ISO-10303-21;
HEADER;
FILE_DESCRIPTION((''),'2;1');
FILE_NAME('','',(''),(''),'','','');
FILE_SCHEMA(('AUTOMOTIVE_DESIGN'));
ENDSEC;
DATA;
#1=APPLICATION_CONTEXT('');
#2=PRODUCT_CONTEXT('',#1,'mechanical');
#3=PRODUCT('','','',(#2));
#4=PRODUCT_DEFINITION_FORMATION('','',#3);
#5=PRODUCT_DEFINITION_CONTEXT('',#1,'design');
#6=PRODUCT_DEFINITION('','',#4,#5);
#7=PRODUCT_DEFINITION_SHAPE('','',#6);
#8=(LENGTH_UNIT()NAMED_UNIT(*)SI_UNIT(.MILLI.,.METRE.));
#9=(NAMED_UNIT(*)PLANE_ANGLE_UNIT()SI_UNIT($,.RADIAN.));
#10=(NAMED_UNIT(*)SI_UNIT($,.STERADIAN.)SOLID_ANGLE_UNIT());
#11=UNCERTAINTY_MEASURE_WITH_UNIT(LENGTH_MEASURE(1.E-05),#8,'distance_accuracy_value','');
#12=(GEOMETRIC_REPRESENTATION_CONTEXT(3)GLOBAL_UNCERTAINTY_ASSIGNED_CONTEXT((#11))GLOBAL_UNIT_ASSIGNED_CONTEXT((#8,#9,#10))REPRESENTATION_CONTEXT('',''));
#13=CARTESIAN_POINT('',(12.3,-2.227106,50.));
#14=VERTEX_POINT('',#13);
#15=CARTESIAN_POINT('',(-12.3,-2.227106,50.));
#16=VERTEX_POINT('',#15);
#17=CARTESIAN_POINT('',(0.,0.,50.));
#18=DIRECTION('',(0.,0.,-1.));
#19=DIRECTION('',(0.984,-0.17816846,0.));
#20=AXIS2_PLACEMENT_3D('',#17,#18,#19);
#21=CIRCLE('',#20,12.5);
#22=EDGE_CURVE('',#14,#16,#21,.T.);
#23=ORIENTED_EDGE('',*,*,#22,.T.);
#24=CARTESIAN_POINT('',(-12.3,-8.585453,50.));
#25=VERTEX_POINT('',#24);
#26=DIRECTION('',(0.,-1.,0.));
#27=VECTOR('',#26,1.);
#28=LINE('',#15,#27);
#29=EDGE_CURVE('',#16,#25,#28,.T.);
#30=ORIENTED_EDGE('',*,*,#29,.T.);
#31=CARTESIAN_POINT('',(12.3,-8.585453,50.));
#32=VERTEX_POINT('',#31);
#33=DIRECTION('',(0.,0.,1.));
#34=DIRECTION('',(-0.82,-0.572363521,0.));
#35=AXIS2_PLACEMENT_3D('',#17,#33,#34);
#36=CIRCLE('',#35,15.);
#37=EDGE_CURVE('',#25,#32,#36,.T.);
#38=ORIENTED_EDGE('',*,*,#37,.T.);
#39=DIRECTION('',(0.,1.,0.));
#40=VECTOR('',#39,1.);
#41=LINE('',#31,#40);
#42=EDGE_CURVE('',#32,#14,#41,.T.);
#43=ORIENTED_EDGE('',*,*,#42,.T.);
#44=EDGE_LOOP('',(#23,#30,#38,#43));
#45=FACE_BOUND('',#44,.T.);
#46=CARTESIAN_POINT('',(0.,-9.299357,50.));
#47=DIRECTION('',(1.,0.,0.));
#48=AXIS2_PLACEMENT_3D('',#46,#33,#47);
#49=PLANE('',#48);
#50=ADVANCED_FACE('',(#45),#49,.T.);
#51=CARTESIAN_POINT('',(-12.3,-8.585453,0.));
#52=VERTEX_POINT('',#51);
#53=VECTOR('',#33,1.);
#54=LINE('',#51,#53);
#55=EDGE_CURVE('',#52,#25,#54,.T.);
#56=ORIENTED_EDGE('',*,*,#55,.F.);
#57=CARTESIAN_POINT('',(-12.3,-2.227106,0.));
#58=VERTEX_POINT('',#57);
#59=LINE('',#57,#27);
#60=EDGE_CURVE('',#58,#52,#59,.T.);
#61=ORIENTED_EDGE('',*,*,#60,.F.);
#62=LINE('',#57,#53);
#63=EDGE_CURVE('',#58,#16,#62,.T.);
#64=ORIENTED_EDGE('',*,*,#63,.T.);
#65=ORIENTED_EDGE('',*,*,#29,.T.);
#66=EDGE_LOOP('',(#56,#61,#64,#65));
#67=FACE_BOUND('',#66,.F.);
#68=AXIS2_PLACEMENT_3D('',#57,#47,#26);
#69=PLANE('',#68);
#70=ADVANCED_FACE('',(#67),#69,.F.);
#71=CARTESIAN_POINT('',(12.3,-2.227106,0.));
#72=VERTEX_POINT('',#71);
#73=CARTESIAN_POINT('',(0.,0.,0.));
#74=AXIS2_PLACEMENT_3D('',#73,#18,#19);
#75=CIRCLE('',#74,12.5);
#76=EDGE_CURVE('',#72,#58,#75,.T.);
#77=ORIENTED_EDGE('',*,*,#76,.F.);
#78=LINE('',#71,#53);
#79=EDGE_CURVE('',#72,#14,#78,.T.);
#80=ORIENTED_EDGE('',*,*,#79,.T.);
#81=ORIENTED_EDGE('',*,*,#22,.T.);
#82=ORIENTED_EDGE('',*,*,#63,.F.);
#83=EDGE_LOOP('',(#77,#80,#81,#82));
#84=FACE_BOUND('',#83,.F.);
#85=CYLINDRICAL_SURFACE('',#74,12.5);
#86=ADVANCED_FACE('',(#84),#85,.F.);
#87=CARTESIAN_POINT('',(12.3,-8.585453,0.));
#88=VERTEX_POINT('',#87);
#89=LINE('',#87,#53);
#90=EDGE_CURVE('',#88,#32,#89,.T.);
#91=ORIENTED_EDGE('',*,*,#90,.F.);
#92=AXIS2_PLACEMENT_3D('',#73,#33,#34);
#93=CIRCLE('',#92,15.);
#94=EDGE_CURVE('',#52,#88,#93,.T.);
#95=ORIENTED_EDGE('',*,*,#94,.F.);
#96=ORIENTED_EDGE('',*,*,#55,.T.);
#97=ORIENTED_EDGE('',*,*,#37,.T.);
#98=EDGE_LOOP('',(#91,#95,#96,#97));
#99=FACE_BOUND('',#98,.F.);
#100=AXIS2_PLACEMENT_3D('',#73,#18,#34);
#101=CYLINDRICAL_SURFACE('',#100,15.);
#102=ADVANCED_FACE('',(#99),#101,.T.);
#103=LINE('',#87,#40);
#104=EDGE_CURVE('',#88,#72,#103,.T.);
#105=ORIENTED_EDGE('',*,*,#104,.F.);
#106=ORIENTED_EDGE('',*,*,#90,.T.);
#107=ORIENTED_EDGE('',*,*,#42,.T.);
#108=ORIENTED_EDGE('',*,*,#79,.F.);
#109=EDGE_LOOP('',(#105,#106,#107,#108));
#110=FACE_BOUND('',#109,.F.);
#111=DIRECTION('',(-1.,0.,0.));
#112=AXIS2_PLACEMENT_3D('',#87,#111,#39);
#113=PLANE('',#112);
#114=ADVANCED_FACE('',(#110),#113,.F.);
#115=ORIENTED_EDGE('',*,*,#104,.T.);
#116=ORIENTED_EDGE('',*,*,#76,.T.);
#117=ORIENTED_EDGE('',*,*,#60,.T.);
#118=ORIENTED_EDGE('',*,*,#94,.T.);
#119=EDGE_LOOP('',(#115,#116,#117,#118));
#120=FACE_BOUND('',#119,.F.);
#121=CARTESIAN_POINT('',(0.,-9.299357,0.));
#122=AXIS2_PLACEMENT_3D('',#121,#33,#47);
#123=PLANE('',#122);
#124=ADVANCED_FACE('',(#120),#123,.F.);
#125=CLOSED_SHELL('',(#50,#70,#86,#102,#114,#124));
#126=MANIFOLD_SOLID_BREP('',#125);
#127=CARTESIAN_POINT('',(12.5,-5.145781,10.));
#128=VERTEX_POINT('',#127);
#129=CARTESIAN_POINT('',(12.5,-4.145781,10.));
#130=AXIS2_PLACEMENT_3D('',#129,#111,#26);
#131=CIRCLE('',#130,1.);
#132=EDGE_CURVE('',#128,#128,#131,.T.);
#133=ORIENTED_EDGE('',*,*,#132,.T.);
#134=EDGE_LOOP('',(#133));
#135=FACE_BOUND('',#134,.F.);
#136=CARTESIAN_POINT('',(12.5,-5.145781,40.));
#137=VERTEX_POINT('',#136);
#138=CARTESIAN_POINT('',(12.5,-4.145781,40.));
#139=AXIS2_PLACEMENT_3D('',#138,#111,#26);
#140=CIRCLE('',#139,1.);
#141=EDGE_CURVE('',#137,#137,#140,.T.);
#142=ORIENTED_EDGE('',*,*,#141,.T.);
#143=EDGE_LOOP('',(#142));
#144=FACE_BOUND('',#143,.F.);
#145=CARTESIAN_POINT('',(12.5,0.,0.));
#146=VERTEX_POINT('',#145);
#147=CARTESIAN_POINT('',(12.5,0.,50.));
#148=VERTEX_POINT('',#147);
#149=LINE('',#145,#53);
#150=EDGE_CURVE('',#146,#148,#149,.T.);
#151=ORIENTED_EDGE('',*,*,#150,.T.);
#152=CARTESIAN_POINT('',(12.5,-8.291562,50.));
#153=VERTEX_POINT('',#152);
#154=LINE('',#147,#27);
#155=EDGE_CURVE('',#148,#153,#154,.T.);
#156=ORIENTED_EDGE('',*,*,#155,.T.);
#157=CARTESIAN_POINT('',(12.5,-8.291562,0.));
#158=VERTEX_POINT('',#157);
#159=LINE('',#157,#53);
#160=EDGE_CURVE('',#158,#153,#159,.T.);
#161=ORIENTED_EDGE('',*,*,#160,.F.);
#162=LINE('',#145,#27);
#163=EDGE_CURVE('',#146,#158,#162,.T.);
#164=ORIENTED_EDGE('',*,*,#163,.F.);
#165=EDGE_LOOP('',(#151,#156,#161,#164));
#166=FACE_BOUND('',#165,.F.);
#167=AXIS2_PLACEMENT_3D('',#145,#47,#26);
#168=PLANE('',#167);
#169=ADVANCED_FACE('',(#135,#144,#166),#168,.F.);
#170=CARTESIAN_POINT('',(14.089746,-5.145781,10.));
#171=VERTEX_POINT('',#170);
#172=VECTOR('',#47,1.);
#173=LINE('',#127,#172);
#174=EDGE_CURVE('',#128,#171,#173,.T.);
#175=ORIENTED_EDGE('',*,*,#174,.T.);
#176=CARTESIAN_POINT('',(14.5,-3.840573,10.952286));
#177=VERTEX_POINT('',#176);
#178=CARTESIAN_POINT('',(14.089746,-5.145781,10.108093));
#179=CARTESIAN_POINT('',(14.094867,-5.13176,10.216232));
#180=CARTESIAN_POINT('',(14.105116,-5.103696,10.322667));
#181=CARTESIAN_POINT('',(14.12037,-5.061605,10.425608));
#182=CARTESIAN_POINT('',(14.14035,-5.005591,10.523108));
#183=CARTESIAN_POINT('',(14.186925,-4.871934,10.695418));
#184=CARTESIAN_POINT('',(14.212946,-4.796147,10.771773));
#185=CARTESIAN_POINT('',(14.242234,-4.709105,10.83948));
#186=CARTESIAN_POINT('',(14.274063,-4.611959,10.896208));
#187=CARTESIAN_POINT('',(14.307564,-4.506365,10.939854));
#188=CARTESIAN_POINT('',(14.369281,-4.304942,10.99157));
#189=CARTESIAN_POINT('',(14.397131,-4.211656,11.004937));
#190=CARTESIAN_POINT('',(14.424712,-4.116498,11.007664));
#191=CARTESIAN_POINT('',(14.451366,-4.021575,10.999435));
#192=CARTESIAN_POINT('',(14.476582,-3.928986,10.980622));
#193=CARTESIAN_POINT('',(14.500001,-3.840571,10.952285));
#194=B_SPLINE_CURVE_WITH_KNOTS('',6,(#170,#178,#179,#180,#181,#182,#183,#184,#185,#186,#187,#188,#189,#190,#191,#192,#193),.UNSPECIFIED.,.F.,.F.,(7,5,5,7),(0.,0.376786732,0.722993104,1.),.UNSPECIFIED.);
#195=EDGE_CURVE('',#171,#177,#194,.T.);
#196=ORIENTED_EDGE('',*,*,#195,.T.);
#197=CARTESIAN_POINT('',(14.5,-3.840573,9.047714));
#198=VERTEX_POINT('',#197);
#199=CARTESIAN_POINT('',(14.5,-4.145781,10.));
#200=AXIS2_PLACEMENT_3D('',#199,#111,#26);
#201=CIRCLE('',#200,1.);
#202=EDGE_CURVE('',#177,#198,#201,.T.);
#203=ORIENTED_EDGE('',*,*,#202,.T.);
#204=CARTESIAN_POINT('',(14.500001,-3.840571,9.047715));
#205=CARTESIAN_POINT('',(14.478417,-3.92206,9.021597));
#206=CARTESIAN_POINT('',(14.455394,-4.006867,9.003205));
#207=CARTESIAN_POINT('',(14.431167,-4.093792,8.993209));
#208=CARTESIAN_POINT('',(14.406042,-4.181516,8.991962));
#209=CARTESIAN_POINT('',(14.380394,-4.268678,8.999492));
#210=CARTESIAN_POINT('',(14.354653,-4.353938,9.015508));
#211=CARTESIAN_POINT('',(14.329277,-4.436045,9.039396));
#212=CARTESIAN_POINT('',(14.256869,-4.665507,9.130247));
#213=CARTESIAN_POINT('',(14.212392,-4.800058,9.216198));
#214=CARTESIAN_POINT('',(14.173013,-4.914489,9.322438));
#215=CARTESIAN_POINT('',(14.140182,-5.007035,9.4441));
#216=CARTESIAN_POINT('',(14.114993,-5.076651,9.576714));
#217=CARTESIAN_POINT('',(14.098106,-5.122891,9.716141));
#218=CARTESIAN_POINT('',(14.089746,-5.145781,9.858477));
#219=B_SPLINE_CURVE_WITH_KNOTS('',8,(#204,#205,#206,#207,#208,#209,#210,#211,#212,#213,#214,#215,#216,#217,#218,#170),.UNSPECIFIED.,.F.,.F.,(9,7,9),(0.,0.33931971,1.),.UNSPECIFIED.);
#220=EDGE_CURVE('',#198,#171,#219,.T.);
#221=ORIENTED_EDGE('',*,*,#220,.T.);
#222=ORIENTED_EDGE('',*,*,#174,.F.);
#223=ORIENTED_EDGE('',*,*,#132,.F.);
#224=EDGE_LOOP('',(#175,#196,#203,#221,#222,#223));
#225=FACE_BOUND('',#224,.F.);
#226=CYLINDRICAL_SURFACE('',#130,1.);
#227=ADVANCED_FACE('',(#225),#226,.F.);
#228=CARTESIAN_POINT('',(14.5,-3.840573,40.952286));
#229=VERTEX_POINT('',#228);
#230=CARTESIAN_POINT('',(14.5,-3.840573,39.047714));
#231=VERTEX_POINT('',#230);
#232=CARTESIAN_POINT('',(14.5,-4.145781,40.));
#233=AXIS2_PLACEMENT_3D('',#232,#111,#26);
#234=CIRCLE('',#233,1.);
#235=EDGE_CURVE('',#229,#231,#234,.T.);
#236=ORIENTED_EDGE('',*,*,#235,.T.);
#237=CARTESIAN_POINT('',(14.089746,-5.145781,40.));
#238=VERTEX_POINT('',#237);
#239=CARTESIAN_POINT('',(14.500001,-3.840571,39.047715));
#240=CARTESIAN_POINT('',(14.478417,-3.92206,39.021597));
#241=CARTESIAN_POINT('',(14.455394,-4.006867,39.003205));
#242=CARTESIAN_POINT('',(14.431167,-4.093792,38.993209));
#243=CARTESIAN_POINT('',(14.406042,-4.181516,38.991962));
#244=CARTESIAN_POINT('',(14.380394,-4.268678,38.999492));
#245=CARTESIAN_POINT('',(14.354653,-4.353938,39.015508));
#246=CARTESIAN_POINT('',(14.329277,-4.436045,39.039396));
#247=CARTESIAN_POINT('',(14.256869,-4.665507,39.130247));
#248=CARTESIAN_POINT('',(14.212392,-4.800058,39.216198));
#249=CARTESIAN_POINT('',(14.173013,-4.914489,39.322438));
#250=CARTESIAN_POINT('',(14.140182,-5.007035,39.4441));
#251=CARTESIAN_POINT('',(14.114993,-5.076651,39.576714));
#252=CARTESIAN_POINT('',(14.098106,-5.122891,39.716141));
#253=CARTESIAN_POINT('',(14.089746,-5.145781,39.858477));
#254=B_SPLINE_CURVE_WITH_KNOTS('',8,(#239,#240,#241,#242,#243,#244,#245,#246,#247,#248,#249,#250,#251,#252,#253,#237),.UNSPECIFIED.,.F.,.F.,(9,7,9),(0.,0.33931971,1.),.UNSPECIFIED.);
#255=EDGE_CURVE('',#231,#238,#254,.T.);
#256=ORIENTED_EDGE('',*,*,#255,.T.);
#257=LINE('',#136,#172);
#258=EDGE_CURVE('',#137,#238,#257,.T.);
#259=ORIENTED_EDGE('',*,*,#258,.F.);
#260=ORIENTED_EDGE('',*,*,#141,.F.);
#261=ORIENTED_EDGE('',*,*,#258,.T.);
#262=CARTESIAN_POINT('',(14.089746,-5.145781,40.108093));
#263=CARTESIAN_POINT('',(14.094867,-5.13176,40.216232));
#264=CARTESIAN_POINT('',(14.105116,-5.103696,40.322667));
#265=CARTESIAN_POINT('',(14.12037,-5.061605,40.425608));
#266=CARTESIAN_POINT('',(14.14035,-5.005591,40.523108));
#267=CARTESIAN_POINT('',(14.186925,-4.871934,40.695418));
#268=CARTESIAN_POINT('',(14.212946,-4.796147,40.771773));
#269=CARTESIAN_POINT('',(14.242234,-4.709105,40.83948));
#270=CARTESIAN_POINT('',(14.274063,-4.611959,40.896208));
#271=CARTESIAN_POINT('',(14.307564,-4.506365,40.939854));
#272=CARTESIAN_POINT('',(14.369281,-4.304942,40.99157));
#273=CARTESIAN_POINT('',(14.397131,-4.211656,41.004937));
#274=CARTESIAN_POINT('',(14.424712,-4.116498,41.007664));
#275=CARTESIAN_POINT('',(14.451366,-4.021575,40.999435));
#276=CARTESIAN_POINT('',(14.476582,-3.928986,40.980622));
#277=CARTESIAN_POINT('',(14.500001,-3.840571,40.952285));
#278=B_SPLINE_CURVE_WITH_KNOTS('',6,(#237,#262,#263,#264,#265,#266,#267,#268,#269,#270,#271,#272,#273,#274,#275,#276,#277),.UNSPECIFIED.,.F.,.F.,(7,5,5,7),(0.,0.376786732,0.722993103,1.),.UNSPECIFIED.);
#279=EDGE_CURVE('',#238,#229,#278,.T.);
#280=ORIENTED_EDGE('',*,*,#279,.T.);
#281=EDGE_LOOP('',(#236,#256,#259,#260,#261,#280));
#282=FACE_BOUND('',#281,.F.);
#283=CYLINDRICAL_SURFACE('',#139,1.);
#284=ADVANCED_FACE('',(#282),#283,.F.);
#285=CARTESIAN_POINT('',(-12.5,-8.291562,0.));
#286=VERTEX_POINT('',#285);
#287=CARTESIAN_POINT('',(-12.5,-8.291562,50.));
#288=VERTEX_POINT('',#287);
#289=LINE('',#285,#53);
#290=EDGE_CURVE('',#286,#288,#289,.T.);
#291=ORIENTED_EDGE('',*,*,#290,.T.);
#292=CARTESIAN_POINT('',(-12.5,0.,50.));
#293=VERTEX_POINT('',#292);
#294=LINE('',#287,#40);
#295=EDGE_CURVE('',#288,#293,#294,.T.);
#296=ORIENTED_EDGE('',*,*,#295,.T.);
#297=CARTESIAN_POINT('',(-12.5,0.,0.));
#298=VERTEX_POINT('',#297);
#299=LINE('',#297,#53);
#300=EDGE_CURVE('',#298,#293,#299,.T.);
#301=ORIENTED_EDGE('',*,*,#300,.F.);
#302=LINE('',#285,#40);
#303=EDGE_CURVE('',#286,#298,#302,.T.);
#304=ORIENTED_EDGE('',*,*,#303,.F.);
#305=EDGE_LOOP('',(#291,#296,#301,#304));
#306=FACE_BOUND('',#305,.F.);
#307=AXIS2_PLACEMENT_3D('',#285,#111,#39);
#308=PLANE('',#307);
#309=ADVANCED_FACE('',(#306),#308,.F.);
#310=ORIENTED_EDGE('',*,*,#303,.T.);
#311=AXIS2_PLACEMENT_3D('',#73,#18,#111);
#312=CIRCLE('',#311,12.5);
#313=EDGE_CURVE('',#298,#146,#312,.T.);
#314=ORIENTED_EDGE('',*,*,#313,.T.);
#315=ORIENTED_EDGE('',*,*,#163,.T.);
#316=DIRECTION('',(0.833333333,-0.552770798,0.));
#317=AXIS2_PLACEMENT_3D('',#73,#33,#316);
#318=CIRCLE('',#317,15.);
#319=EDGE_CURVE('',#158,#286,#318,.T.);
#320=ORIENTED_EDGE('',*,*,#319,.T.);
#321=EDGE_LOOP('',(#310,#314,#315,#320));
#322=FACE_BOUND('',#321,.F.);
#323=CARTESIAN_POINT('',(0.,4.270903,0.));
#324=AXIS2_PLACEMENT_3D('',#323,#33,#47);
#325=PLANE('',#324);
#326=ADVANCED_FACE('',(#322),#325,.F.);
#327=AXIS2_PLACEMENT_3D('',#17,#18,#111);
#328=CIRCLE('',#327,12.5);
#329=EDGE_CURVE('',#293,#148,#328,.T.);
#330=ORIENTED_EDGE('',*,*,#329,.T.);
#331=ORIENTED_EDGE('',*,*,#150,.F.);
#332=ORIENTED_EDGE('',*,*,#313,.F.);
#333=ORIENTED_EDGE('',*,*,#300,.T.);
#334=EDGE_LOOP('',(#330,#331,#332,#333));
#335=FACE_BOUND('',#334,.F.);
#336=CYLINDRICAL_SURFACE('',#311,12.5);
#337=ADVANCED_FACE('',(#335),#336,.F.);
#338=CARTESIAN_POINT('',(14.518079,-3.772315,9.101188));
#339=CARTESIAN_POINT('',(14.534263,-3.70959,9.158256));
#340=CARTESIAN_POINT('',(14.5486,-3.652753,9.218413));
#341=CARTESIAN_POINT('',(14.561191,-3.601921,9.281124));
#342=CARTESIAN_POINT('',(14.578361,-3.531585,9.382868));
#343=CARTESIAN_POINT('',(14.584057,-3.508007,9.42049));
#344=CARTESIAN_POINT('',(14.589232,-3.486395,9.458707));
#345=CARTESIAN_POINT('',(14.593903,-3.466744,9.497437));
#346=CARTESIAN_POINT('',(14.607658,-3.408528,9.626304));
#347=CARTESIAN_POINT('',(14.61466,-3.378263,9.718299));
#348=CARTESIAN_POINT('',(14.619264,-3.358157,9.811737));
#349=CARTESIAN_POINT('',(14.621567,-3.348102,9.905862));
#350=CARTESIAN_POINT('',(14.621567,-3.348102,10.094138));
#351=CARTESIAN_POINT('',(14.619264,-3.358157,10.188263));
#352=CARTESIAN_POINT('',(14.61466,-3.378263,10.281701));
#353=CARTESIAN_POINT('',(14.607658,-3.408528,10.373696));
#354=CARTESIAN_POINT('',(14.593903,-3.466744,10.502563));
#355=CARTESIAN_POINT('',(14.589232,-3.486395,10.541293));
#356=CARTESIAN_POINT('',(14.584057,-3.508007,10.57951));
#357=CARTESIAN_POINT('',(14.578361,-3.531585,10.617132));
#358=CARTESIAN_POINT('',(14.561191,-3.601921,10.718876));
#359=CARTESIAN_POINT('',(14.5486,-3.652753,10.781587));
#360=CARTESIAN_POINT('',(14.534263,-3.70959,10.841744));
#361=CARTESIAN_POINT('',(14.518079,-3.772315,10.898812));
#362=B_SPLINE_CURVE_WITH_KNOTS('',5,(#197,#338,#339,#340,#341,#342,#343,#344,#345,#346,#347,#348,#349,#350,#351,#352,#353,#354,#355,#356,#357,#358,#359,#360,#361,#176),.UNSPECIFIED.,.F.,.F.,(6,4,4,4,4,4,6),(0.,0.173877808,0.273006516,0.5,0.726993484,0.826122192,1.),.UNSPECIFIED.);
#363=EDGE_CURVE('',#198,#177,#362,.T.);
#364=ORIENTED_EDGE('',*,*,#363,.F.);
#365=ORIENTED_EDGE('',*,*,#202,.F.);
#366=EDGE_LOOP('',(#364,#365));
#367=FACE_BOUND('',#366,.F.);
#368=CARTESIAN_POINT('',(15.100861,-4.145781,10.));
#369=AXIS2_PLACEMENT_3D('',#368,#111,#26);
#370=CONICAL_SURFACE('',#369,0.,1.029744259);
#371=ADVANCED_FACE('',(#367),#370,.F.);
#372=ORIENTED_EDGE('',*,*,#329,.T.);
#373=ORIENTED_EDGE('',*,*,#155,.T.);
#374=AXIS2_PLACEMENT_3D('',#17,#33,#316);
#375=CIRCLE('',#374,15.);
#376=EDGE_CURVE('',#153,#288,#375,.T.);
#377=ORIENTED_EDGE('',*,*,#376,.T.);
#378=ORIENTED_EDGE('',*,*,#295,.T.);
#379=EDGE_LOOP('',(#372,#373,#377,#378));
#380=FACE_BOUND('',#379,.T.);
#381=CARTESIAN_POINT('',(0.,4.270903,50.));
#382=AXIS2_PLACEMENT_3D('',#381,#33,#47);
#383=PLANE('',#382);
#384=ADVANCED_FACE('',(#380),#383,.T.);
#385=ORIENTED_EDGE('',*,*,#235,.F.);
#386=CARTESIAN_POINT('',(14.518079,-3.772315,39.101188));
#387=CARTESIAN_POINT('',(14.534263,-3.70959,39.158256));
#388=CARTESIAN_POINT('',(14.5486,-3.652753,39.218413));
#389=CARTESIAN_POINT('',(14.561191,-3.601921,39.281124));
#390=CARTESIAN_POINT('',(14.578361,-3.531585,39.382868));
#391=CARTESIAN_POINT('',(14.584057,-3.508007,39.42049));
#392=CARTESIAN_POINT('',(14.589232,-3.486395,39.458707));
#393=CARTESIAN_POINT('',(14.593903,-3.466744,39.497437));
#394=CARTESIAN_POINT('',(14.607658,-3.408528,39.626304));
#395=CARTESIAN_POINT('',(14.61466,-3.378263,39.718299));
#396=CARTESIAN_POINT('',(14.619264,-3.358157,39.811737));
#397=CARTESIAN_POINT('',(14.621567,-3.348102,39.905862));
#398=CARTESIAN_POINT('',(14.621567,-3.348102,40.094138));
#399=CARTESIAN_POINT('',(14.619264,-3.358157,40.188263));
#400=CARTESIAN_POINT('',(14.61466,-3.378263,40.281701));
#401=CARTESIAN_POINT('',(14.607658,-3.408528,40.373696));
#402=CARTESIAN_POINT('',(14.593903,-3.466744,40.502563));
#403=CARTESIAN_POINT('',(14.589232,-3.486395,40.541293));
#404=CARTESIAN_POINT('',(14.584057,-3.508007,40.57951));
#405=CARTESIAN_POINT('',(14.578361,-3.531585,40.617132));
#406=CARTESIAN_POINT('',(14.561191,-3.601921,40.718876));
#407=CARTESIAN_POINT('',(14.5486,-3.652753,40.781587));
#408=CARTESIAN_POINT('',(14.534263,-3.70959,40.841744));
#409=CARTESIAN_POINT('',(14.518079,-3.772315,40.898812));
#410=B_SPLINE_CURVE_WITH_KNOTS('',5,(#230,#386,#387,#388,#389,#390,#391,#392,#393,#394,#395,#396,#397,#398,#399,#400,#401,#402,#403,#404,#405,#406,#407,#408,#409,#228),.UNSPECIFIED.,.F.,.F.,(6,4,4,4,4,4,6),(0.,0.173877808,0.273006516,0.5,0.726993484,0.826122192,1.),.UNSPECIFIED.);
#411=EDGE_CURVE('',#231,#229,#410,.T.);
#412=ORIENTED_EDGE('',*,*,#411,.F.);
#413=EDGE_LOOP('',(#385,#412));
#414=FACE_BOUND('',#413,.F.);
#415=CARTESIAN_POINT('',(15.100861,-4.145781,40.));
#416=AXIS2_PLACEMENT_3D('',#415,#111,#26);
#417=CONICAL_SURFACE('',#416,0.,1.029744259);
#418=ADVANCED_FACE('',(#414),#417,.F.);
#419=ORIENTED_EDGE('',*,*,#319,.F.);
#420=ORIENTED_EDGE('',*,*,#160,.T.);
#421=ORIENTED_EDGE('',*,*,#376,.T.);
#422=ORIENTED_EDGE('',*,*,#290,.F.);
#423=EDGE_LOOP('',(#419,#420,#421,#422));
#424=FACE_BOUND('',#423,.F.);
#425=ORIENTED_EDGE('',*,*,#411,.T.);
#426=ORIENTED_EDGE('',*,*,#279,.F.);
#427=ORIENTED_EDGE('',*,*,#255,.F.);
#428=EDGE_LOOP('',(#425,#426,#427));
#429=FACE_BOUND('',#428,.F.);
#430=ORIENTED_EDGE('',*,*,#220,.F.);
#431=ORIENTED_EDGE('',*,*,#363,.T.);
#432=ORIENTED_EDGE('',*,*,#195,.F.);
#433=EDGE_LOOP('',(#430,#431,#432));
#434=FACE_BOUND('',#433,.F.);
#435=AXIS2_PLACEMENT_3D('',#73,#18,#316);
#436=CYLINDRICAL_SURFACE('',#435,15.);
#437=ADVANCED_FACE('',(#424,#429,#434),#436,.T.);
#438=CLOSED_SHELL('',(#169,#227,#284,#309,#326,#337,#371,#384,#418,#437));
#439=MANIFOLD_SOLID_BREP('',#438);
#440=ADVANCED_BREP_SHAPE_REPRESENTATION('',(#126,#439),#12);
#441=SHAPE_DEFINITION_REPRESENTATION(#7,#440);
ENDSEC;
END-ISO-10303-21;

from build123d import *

# Parameters (mm, degrees)
F1_DEPTH = 50
F3_DEPTH = 50
F5_D     = 2
F5_DEPTH = 2
F5_TIP   = 0.600860619


with BuildPart() as f1:
    # F0 (on Top) → F1 (new body)
    with BuildSketch(Plane.XY):
        with BuildLine():
            Line((12.5, 0), (12.5, -8.2915619759))
            ThreePointArc((12.5, -8.2915619759), (0, 15), (-12.5, -8.2915619759))
            Line((-12.5, -8.2915619759), (-12.5, 0))
            ThreePointArc((-12.5, 0), (0, 12.5), (12.5, 0))
        make_face()
    extrude(amount=F1_DEPTH)

    # F5 (one way)
    with BuildSketch(Plane(origin=(12.5, 0, 0), x_dir=(0, -1, 0), z_dir=(-1, 0, 0))):
        with Locations((4.1457809879, 40), (4.1457809879, 10)):
            Circle(F5_D / 2)
    extrude(amount=-F5_DEPTH, mode=Mode.SUBTRACT)
    with Locations(Plane(origin=(12.5, 0, 0), x_dir=(0, -1, 0), z_dir=(-1, 0, 0))):
        with Locations((4.1457809879, 40), (4.1457809879, 10)):
            with Locations((0, 0, -(F5_DEPTH + F5_TIP / 2))):  # 118° drill point
                Cone(0, F5_D / 2, F5_TIP, mode=Mode.SUBTRACT)


with BuildPart() as f3:
    # F2 (on Top) → F3 (new body)
    with BuildSketch(Plane.XY):
        with BuildLine():
            Line((-12.3, -2.2271057451), (-12.3, -8.5854528128))
            ThreePointArc((-12.3, -8.5854528128), (0, -15), (12.3, -8.5854528128))
            Line((12.3, -8.5854528128), (12.3, -2.2271057451))
            ThreePointArc((12.3, -2.2271057451), (0, -12.5), (-12.3, -2.2271057451))
        make_face()
    extrude(amount=F3_DEPTH)


solid = Compound([f1.part, f3.part])
